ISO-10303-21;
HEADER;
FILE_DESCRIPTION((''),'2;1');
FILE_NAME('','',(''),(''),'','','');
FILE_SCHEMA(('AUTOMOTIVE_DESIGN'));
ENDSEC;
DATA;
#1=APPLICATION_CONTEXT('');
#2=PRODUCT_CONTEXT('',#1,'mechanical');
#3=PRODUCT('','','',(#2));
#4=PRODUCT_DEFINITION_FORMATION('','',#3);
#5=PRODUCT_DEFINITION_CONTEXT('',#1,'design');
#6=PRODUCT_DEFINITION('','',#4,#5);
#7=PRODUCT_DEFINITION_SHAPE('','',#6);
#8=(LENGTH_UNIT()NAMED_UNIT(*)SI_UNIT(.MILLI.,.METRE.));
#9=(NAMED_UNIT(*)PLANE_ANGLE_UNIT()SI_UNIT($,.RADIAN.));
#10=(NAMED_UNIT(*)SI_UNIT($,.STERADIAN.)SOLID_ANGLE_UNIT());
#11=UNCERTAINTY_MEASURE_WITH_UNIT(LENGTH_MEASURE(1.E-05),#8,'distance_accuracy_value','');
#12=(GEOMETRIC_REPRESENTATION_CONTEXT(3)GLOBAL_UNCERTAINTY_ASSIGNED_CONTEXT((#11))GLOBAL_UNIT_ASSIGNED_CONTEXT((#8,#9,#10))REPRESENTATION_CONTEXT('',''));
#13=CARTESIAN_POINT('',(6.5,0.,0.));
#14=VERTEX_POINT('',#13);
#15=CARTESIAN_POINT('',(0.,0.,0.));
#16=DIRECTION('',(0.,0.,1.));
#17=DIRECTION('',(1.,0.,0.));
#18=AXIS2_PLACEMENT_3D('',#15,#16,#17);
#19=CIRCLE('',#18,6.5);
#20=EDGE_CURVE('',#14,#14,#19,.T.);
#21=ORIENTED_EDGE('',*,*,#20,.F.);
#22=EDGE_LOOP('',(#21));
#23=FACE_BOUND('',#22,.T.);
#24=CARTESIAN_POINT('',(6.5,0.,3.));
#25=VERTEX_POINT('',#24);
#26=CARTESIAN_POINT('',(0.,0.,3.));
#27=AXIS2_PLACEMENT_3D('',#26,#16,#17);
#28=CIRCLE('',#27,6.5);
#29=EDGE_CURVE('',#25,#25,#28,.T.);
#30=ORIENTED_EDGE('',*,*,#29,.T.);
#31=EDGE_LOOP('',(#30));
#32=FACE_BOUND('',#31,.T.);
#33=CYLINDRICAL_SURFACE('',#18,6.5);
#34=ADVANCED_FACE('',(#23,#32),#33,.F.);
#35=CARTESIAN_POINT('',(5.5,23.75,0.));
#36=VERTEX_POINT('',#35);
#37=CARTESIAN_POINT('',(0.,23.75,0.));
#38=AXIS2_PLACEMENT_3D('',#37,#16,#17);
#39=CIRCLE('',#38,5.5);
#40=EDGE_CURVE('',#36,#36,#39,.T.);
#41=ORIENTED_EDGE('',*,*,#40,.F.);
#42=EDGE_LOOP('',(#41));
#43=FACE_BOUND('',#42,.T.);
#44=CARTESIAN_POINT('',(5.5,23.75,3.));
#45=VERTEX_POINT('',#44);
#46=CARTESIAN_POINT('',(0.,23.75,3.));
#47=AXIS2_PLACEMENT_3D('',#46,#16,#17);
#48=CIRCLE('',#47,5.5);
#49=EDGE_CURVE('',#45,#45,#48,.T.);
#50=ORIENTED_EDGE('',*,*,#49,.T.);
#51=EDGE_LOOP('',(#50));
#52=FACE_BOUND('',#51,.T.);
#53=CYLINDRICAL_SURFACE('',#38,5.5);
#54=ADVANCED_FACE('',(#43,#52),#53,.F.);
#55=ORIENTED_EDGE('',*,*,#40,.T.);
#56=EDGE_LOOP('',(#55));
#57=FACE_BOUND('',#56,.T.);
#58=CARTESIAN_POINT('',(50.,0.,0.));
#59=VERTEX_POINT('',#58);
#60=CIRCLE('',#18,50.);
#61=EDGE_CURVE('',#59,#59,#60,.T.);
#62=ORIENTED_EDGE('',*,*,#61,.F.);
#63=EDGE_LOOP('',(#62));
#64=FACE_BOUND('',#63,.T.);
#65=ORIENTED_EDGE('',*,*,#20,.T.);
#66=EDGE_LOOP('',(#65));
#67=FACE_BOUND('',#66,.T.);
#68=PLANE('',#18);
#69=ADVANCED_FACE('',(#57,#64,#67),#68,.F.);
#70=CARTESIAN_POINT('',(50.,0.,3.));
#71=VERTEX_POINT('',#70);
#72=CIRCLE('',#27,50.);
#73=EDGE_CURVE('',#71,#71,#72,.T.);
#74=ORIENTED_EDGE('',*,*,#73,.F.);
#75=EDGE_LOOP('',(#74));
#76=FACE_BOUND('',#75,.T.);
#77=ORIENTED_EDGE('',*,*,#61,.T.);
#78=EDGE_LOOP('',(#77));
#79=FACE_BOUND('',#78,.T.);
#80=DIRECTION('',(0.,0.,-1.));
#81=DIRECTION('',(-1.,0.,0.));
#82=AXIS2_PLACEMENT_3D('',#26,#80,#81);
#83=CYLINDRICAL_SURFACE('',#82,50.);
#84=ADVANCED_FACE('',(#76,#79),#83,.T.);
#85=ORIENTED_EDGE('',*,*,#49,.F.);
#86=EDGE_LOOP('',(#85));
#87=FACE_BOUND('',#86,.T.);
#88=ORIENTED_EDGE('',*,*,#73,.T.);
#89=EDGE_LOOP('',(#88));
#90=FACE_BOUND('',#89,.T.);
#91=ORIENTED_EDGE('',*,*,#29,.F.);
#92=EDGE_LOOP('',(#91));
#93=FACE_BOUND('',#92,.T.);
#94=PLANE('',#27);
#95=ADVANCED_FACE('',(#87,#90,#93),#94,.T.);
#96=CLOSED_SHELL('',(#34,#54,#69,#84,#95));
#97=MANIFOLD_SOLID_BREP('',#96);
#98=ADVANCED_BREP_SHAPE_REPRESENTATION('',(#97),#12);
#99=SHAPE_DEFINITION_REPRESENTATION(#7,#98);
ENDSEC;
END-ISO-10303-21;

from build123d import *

# Parameters (mm, degrees)
SKIZZE1_R                            = 50
AUFSATZ_LINEAR_AUSTRAGEN1_DEPTH      = 3
SCHNITT_LINEAR_AUSTRAGEN1_DEPTH      = 71.774289117
SCHNITT_LINEAR_AUSTRAGEN1_DEPTH_BACK = 71.774289117
SKIZZE2_R                            = 6.5
SKIZZE2_R_2                          = 5.5


with BuildPart() as part:
    # Skizze1 → Aufsatz-Linear austragen1 (new body)
    with BuildSketch(Plane.XY):
        Circle(SKIZZE1_R)
    extrude(amount=AUFSATZ_LINEAR_AUSTRAGEN1_DEPTH)

    # Skizze2 → Schnitt-Linear austragen1 (cut, two sides: drawn at the far end of the back side and taken through both)
    with BuildSketch(Plane.XY.offset(3).offset(-SCHNITT_LINEAR_AUSTRAGEN1_DEPTH_BACK)):
        Circle(SKIZZE2_R)
        with Locations((0, 23.75)):
            Circle(SKIZZE2_R_2)
    extrude(amount=SCHNITT_LINEAR_AUSTRAGEN1_DEPTH + SCHNITT_LINEAR_AUSTRAGEN1_DEPTH_BACK, mode=Mode.SUBTRACT)


solid = part.part
